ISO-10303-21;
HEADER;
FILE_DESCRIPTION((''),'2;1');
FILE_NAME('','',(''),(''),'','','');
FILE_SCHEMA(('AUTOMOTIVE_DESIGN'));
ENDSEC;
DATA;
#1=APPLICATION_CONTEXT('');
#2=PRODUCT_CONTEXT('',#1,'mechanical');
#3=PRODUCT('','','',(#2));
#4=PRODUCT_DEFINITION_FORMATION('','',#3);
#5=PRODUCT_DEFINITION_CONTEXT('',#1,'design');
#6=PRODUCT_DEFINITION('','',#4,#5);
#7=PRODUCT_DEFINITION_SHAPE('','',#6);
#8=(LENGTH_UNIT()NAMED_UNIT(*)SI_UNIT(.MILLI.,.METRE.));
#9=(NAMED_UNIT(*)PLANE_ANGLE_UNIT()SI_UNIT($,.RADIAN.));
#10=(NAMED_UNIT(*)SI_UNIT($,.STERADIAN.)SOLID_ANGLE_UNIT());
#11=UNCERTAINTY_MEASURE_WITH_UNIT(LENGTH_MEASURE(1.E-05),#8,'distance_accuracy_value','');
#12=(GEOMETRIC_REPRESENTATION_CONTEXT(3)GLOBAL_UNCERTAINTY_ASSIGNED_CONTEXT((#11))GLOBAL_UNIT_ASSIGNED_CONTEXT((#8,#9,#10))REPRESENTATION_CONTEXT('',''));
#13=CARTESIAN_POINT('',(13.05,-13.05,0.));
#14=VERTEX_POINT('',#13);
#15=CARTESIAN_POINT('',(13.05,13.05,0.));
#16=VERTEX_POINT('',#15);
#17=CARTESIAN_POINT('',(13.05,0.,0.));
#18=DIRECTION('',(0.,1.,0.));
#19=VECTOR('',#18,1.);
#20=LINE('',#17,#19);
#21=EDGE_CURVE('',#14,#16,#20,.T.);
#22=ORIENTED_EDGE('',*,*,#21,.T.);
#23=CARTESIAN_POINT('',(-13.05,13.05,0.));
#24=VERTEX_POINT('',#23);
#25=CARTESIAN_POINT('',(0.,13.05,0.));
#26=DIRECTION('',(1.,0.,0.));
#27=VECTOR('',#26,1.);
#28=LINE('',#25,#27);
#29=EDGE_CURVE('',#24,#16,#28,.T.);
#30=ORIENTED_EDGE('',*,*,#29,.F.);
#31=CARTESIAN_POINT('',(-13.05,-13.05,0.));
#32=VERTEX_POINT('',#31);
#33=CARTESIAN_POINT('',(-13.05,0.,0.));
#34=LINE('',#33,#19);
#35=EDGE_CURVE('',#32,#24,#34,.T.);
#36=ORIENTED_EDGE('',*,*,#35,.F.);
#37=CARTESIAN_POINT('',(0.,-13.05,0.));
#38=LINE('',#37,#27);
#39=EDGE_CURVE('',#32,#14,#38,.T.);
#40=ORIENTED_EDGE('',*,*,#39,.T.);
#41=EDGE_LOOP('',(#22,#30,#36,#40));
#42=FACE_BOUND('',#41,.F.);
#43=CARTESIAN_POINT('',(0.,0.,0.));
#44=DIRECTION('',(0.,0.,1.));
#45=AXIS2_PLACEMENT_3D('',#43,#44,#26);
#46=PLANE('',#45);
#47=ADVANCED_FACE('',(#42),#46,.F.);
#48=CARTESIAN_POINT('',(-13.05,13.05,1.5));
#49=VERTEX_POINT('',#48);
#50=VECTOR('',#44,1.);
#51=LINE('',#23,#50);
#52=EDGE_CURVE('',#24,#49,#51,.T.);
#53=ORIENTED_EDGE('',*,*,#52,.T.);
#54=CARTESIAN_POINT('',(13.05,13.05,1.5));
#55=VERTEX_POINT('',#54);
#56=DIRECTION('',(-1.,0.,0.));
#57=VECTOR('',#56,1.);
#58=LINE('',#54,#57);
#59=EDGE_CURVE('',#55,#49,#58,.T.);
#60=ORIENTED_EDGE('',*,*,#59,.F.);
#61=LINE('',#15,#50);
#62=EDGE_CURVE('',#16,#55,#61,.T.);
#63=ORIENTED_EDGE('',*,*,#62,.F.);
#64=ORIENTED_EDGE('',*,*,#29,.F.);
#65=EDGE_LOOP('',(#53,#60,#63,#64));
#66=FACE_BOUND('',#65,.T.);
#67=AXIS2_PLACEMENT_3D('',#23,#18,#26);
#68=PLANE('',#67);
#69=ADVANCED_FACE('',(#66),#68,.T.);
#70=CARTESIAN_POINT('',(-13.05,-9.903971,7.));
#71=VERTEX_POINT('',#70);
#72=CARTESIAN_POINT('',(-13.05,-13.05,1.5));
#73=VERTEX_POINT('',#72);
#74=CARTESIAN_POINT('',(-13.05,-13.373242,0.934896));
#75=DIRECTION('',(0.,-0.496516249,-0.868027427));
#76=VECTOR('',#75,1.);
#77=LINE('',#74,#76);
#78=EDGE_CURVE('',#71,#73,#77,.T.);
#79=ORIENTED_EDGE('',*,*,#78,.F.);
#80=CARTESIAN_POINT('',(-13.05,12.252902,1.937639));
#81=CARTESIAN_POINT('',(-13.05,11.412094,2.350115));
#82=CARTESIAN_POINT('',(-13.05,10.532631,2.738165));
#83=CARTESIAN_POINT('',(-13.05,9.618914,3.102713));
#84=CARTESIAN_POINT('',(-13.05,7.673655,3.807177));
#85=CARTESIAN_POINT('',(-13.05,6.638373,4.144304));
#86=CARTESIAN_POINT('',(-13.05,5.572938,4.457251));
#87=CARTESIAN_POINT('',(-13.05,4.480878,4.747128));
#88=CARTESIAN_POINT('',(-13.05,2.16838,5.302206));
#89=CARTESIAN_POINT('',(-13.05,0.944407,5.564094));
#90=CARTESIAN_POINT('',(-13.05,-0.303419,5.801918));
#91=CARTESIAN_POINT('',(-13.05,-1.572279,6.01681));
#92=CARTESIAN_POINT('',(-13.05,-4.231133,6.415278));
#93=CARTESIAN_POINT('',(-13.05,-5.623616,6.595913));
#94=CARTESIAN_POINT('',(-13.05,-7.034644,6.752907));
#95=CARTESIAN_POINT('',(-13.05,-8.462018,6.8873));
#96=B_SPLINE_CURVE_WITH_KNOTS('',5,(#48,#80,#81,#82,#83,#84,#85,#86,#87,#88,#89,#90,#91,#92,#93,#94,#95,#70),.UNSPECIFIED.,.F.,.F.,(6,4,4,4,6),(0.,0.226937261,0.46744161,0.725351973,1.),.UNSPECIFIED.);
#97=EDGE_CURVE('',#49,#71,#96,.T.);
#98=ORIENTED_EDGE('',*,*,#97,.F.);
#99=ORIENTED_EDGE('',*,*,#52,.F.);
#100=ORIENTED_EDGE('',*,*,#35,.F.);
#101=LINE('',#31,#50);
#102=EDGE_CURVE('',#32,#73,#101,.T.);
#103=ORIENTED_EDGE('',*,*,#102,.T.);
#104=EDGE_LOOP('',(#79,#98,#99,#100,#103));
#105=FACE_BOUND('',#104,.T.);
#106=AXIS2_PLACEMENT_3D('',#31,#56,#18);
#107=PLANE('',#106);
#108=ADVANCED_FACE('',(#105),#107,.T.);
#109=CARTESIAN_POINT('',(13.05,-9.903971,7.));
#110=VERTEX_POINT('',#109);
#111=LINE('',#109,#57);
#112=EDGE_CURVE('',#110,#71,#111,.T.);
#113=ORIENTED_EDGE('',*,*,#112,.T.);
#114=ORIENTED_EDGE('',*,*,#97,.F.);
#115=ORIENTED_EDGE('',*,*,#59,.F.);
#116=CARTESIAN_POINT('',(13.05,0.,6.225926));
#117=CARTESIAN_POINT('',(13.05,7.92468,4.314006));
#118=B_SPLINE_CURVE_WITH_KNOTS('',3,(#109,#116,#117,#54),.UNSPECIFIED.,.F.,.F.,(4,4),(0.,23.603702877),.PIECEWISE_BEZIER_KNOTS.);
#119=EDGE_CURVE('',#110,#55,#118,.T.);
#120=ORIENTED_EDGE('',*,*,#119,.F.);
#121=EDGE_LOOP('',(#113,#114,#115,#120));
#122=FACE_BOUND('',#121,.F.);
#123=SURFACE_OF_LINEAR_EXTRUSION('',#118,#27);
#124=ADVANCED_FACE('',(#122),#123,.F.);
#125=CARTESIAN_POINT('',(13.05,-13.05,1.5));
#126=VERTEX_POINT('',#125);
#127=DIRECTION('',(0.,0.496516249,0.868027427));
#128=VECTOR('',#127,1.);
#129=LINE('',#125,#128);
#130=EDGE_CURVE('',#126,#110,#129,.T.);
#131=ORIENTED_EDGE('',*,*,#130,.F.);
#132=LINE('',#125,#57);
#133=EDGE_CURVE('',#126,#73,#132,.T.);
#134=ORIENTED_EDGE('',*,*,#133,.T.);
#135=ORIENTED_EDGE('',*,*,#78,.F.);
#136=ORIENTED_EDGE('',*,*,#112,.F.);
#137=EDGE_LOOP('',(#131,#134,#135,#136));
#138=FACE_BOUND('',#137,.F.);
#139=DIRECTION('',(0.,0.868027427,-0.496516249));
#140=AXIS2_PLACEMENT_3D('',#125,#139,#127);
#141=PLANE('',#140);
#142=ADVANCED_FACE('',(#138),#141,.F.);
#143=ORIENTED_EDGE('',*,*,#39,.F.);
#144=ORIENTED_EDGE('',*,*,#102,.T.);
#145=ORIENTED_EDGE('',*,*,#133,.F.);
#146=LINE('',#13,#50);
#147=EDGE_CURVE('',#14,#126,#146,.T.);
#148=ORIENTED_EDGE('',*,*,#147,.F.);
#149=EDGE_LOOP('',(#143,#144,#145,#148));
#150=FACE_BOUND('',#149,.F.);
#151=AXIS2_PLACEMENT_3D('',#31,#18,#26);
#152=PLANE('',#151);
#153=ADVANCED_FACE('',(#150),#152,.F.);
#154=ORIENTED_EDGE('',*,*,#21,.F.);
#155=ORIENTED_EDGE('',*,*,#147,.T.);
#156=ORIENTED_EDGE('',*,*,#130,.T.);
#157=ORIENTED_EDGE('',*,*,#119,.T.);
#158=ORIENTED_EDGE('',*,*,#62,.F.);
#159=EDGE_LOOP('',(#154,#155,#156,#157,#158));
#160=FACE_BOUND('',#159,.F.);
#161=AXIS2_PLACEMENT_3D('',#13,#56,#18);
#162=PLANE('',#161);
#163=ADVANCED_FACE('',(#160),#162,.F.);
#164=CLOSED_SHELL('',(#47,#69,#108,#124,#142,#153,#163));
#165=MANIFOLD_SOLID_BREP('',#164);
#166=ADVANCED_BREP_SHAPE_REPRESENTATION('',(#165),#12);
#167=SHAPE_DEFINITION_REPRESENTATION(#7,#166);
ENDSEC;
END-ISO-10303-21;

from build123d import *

# Parameters (mm, degrees)
F0_W     = 26.1
F0_H     = 26.1
F1_DEPTH = 7
F3_DEPTH = 26.101


with BuildPart() as f1:
    # F0 (on Top) → F1 (new body)
    with BuildSketch(Plane.XY):
        Rectangle(F0_W, F0_H)
    extrude(amount=F1_DEPTH)

    # F2 (on face) → F3 (cut, through all)
    with BuildSketch(Plane.YZ.offset(13.05)):
        Polygon((-13.05, 7), (-13.05, 1.5), (-9.9039711058, 7), align=None)
        with BuildLine():
            Line((13.05, 7), (-9.9039711058, 7))
            add(Edge.make_bspline(
                [(-9.9039711058, 7), (0, 6.2259258702), (7.9246796668, 4.3140063062), (13.05, 1.5)],
                knots=[0, 0, 0, 0, 23.6037028774, 23.6037028774, 23.6037028774, 23.6037028774], degree=3))
            Line((13.05, 1.5), (13.05, 7))
        make_face()
    extrude(amount=-F3_DEPTH, mode=Mode.SUBTRACT)


solid = f1.part
